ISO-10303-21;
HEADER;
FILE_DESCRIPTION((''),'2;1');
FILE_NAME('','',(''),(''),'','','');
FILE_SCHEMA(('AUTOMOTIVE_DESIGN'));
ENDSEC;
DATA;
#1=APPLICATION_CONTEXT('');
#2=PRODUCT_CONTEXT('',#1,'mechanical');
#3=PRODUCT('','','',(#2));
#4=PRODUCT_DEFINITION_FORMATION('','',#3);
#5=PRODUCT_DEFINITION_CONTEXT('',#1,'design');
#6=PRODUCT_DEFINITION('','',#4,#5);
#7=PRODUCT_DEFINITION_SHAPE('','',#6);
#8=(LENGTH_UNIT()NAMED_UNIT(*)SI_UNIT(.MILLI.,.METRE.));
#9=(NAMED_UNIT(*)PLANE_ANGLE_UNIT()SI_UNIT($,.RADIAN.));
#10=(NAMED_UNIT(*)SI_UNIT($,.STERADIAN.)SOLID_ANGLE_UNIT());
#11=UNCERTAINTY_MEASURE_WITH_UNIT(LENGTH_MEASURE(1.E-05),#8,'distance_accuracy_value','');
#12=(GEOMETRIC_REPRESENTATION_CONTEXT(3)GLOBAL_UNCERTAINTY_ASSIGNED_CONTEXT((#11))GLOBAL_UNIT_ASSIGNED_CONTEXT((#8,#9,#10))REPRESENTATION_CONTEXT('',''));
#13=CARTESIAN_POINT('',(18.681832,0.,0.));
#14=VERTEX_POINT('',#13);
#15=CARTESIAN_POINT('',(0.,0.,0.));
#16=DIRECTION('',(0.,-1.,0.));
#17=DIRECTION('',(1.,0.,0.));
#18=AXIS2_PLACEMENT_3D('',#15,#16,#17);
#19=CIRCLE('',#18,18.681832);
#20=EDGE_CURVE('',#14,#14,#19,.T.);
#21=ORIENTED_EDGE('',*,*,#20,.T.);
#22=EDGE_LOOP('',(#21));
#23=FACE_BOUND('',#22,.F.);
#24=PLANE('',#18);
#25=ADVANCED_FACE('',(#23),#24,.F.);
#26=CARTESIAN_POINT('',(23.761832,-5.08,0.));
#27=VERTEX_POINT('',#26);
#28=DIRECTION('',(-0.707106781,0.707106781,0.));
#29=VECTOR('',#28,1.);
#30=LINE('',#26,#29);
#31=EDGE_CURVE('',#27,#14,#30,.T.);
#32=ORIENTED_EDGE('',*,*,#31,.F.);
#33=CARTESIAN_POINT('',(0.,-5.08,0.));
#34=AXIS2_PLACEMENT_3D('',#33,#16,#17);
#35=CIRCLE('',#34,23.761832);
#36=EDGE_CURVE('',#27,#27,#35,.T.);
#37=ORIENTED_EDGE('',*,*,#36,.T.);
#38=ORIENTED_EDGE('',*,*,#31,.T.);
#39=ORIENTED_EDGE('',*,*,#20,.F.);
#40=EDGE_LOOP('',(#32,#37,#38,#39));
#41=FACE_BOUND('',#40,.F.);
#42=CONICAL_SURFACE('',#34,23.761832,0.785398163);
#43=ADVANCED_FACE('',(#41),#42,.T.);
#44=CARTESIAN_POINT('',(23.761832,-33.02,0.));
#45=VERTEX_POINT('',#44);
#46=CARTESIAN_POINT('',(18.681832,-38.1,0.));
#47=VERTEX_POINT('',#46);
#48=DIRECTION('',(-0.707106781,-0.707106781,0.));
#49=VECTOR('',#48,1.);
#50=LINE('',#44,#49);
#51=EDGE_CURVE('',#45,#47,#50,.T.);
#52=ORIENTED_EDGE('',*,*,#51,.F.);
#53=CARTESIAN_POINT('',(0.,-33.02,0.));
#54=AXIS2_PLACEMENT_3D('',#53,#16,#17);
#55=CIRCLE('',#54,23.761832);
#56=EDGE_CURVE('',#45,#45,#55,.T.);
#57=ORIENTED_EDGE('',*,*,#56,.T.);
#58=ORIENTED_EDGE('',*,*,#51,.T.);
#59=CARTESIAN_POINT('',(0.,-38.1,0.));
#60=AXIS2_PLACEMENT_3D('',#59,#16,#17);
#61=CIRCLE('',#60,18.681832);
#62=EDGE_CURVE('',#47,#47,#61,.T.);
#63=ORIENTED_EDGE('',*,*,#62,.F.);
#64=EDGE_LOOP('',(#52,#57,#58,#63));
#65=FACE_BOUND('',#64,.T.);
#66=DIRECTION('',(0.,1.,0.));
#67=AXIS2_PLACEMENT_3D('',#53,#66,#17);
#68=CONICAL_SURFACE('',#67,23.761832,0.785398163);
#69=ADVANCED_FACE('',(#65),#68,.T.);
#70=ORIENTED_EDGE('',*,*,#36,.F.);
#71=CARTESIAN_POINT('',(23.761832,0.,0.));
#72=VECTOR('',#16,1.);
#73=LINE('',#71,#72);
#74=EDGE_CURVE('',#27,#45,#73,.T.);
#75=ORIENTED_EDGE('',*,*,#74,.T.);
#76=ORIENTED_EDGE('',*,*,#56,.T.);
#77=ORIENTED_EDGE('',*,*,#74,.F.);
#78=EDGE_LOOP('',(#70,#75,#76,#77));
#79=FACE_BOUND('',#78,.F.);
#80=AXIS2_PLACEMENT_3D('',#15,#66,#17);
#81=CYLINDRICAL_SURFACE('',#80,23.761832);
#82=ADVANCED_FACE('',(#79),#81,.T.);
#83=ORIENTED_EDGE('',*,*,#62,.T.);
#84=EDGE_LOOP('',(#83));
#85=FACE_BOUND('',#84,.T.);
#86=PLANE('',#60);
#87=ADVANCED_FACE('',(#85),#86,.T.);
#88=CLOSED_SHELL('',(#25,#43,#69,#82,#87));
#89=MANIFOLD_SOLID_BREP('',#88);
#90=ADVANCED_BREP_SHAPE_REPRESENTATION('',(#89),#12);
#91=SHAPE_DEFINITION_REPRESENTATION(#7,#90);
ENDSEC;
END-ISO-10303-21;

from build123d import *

# Parameters (mm, degrees)
F0_R     = 23.761832
F1_DEPTH = 38.1
F2_SIZE  = 5.08
F3_SIZE  = 5.08


with BuildPart() as f1:
    # F0 (on Front) → F1 (new body)
    with BuildSketch(Plane.XZ):
        Circle(F0_R)
    extrude(amount=F1_DEPTH)

    # F2
    f2_edges = [f1.edges().sort_by_distance(p)[0] for p in [
        (-23.761832, -38.1, 0),
    ]]
    chamfer(f2_edges, length=F2_SIZE)

    # F3
    f3_edges = [f1.edges().sort_by_distance(p)[0] for p in [
        (-23.761832, 0, 0),
    ]]
    chamfer(f3_edges, length=F3_SIZE)


solid = f1.part
